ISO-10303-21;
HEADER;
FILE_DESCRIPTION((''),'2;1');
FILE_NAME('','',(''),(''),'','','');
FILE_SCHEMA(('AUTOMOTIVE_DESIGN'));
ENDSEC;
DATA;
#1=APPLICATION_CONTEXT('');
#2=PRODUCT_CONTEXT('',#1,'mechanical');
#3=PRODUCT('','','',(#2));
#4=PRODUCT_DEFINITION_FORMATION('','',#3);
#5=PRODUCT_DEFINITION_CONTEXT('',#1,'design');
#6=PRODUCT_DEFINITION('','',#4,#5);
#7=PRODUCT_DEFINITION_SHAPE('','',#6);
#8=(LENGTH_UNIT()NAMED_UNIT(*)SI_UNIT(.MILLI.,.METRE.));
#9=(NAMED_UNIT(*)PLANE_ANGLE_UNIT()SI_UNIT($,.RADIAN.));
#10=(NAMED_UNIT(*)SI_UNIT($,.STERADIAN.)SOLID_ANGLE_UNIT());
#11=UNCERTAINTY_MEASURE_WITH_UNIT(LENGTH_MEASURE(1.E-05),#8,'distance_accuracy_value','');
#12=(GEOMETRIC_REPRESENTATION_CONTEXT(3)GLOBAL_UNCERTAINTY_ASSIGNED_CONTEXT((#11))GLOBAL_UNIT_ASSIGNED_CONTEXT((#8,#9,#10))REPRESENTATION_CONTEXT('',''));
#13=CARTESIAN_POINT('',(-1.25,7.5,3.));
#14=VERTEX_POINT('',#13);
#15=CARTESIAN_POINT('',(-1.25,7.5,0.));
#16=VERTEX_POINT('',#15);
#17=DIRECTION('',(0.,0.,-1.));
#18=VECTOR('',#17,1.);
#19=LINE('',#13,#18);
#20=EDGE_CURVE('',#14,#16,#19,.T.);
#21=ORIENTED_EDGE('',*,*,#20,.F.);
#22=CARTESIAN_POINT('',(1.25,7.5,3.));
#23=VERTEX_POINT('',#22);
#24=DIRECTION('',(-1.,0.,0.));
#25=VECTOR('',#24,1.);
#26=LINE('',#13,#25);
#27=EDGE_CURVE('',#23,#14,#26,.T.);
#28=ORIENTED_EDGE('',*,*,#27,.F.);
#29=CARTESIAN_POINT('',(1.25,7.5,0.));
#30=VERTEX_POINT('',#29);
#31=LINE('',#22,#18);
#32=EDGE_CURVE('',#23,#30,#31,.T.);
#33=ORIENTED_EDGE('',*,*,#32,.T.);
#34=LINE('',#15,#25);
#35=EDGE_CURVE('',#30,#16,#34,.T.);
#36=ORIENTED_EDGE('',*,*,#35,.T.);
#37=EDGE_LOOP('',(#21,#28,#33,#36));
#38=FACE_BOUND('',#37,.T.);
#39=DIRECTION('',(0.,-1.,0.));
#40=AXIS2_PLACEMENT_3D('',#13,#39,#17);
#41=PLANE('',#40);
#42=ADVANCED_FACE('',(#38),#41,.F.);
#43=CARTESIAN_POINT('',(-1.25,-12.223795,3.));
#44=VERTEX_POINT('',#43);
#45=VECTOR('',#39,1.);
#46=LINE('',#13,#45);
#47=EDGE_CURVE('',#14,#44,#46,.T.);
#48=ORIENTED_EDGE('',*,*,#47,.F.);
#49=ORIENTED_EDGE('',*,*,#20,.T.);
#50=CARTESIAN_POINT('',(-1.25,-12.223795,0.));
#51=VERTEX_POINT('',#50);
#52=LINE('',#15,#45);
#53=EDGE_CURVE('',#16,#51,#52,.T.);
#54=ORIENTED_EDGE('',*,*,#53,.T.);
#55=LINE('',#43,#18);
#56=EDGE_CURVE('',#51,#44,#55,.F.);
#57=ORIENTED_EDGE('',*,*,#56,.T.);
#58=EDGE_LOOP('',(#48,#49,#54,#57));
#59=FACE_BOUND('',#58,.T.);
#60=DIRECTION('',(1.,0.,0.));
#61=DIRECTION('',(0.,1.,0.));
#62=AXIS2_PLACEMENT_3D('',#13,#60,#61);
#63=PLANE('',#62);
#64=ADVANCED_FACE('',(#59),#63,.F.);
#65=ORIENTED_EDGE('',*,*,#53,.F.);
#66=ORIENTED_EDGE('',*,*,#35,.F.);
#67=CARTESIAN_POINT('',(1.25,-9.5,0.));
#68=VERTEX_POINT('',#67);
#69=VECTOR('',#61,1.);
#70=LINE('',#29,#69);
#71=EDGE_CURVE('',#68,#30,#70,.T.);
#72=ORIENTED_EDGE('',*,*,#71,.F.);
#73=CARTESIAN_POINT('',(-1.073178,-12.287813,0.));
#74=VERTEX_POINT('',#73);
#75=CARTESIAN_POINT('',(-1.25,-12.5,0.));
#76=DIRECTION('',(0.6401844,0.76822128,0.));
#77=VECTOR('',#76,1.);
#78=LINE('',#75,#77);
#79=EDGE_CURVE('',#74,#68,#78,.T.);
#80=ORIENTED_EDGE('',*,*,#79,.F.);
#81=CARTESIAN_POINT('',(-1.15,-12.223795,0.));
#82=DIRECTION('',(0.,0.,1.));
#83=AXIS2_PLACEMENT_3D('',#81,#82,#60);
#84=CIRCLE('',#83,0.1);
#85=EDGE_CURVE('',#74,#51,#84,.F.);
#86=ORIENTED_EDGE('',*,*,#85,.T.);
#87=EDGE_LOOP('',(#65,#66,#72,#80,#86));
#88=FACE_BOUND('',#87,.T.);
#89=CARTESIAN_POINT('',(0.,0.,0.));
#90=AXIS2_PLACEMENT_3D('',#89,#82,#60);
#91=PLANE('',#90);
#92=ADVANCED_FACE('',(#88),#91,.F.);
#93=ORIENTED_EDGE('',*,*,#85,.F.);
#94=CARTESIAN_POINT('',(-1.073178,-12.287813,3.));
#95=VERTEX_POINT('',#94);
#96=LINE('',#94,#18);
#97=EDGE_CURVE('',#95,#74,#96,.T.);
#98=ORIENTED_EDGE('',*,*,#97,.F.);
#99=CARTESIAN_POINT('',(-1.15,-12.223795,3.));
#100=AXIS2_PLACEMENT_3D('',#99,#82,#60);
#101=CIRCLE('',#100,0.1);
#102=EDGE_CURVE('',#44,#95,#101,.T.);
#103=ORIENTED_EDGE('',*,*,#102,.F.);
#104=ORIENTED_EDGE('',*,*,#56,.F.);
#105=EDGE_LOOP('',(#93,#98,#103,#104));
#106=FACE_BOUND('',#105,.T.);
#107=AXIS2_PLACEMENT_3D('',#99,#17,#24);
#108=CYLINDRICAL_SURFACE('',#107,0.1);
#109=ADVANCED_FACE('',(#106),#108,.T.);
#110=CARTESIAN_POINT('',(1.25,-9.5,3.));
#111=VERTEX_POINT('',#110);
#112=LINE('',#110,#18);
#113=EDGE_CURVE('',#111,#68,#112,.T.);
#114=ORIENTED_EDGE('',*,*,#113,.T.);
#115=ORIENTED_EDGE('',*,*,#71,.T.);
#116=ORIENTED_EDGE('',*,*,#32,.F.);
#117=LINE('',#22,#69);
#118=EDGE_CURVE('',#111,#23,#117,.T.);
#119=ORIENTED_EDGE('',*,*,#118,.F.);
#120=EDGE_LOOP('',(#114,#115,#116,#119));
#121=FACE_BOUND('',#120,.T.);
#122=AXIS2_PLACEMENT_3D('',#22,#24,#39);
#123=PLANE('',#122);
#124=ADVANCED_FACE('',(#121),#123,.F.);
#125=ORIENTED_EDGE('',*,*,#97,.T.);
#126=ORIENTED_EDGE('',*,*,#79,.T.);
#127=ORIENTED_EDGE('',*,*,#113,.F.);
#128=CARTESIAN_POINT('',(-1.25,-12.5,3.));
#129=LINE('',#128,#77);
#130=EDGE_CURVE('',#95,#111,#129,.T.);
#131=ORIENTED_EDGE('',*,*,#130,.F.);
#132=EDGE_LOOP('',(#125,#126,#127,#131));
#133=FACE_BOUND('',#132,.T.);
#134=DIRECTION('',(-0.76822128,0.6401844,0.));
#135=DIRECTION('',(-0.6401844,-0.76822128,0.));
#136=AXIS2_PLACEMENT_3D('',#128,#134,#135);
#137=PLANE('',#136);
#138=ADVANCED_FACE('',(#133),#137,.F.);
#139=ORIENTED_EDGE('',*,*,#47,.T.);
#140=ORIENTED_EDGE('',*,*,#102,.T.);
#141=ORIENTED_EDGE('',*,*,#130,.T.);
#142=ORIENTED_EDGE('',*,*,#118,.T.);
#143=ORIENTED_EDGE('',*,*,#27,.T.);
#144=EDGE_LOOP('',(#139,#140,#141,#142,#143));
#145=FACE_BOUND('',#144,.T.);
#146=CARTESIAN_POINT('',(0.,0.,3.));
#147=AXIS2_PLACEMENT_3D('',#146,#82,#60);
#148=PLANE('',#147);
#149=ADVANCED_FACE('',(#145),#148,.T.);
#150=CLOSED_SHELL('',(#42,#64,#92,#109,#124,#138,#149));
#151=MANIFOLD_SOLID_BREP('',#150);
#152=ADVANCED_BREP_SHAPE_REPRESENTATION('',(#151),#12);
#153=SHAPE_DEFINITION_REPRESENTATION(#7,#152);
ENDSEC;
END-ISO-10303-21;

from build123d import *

# Parameters (mm, degrees)
BOSS_EXTRUDE1_DEPTH = 3
FILLET2_R           = 0.1


with BuildPart() as part:
    # Sketch1 → Boss-Extrude1 (new body)
    with BuildSketch(Plane.XY):
        Polygon((-1.25, -12.5), (1.25, -9.5), (1.25, 7.5), (-1.25, 7.5), align=None)
    extrude(amount=BOSS_EXTRUDE1_DEPTH)

    # Fillet2
    fillet2_edges = [part.edges().sort_by_distance(p)[0] for p in [
        (-1.25, -12.5, 1.5),
    ]]
    fillet(fillet2_edges, radius=FILLET2_R)


solid = part.part
